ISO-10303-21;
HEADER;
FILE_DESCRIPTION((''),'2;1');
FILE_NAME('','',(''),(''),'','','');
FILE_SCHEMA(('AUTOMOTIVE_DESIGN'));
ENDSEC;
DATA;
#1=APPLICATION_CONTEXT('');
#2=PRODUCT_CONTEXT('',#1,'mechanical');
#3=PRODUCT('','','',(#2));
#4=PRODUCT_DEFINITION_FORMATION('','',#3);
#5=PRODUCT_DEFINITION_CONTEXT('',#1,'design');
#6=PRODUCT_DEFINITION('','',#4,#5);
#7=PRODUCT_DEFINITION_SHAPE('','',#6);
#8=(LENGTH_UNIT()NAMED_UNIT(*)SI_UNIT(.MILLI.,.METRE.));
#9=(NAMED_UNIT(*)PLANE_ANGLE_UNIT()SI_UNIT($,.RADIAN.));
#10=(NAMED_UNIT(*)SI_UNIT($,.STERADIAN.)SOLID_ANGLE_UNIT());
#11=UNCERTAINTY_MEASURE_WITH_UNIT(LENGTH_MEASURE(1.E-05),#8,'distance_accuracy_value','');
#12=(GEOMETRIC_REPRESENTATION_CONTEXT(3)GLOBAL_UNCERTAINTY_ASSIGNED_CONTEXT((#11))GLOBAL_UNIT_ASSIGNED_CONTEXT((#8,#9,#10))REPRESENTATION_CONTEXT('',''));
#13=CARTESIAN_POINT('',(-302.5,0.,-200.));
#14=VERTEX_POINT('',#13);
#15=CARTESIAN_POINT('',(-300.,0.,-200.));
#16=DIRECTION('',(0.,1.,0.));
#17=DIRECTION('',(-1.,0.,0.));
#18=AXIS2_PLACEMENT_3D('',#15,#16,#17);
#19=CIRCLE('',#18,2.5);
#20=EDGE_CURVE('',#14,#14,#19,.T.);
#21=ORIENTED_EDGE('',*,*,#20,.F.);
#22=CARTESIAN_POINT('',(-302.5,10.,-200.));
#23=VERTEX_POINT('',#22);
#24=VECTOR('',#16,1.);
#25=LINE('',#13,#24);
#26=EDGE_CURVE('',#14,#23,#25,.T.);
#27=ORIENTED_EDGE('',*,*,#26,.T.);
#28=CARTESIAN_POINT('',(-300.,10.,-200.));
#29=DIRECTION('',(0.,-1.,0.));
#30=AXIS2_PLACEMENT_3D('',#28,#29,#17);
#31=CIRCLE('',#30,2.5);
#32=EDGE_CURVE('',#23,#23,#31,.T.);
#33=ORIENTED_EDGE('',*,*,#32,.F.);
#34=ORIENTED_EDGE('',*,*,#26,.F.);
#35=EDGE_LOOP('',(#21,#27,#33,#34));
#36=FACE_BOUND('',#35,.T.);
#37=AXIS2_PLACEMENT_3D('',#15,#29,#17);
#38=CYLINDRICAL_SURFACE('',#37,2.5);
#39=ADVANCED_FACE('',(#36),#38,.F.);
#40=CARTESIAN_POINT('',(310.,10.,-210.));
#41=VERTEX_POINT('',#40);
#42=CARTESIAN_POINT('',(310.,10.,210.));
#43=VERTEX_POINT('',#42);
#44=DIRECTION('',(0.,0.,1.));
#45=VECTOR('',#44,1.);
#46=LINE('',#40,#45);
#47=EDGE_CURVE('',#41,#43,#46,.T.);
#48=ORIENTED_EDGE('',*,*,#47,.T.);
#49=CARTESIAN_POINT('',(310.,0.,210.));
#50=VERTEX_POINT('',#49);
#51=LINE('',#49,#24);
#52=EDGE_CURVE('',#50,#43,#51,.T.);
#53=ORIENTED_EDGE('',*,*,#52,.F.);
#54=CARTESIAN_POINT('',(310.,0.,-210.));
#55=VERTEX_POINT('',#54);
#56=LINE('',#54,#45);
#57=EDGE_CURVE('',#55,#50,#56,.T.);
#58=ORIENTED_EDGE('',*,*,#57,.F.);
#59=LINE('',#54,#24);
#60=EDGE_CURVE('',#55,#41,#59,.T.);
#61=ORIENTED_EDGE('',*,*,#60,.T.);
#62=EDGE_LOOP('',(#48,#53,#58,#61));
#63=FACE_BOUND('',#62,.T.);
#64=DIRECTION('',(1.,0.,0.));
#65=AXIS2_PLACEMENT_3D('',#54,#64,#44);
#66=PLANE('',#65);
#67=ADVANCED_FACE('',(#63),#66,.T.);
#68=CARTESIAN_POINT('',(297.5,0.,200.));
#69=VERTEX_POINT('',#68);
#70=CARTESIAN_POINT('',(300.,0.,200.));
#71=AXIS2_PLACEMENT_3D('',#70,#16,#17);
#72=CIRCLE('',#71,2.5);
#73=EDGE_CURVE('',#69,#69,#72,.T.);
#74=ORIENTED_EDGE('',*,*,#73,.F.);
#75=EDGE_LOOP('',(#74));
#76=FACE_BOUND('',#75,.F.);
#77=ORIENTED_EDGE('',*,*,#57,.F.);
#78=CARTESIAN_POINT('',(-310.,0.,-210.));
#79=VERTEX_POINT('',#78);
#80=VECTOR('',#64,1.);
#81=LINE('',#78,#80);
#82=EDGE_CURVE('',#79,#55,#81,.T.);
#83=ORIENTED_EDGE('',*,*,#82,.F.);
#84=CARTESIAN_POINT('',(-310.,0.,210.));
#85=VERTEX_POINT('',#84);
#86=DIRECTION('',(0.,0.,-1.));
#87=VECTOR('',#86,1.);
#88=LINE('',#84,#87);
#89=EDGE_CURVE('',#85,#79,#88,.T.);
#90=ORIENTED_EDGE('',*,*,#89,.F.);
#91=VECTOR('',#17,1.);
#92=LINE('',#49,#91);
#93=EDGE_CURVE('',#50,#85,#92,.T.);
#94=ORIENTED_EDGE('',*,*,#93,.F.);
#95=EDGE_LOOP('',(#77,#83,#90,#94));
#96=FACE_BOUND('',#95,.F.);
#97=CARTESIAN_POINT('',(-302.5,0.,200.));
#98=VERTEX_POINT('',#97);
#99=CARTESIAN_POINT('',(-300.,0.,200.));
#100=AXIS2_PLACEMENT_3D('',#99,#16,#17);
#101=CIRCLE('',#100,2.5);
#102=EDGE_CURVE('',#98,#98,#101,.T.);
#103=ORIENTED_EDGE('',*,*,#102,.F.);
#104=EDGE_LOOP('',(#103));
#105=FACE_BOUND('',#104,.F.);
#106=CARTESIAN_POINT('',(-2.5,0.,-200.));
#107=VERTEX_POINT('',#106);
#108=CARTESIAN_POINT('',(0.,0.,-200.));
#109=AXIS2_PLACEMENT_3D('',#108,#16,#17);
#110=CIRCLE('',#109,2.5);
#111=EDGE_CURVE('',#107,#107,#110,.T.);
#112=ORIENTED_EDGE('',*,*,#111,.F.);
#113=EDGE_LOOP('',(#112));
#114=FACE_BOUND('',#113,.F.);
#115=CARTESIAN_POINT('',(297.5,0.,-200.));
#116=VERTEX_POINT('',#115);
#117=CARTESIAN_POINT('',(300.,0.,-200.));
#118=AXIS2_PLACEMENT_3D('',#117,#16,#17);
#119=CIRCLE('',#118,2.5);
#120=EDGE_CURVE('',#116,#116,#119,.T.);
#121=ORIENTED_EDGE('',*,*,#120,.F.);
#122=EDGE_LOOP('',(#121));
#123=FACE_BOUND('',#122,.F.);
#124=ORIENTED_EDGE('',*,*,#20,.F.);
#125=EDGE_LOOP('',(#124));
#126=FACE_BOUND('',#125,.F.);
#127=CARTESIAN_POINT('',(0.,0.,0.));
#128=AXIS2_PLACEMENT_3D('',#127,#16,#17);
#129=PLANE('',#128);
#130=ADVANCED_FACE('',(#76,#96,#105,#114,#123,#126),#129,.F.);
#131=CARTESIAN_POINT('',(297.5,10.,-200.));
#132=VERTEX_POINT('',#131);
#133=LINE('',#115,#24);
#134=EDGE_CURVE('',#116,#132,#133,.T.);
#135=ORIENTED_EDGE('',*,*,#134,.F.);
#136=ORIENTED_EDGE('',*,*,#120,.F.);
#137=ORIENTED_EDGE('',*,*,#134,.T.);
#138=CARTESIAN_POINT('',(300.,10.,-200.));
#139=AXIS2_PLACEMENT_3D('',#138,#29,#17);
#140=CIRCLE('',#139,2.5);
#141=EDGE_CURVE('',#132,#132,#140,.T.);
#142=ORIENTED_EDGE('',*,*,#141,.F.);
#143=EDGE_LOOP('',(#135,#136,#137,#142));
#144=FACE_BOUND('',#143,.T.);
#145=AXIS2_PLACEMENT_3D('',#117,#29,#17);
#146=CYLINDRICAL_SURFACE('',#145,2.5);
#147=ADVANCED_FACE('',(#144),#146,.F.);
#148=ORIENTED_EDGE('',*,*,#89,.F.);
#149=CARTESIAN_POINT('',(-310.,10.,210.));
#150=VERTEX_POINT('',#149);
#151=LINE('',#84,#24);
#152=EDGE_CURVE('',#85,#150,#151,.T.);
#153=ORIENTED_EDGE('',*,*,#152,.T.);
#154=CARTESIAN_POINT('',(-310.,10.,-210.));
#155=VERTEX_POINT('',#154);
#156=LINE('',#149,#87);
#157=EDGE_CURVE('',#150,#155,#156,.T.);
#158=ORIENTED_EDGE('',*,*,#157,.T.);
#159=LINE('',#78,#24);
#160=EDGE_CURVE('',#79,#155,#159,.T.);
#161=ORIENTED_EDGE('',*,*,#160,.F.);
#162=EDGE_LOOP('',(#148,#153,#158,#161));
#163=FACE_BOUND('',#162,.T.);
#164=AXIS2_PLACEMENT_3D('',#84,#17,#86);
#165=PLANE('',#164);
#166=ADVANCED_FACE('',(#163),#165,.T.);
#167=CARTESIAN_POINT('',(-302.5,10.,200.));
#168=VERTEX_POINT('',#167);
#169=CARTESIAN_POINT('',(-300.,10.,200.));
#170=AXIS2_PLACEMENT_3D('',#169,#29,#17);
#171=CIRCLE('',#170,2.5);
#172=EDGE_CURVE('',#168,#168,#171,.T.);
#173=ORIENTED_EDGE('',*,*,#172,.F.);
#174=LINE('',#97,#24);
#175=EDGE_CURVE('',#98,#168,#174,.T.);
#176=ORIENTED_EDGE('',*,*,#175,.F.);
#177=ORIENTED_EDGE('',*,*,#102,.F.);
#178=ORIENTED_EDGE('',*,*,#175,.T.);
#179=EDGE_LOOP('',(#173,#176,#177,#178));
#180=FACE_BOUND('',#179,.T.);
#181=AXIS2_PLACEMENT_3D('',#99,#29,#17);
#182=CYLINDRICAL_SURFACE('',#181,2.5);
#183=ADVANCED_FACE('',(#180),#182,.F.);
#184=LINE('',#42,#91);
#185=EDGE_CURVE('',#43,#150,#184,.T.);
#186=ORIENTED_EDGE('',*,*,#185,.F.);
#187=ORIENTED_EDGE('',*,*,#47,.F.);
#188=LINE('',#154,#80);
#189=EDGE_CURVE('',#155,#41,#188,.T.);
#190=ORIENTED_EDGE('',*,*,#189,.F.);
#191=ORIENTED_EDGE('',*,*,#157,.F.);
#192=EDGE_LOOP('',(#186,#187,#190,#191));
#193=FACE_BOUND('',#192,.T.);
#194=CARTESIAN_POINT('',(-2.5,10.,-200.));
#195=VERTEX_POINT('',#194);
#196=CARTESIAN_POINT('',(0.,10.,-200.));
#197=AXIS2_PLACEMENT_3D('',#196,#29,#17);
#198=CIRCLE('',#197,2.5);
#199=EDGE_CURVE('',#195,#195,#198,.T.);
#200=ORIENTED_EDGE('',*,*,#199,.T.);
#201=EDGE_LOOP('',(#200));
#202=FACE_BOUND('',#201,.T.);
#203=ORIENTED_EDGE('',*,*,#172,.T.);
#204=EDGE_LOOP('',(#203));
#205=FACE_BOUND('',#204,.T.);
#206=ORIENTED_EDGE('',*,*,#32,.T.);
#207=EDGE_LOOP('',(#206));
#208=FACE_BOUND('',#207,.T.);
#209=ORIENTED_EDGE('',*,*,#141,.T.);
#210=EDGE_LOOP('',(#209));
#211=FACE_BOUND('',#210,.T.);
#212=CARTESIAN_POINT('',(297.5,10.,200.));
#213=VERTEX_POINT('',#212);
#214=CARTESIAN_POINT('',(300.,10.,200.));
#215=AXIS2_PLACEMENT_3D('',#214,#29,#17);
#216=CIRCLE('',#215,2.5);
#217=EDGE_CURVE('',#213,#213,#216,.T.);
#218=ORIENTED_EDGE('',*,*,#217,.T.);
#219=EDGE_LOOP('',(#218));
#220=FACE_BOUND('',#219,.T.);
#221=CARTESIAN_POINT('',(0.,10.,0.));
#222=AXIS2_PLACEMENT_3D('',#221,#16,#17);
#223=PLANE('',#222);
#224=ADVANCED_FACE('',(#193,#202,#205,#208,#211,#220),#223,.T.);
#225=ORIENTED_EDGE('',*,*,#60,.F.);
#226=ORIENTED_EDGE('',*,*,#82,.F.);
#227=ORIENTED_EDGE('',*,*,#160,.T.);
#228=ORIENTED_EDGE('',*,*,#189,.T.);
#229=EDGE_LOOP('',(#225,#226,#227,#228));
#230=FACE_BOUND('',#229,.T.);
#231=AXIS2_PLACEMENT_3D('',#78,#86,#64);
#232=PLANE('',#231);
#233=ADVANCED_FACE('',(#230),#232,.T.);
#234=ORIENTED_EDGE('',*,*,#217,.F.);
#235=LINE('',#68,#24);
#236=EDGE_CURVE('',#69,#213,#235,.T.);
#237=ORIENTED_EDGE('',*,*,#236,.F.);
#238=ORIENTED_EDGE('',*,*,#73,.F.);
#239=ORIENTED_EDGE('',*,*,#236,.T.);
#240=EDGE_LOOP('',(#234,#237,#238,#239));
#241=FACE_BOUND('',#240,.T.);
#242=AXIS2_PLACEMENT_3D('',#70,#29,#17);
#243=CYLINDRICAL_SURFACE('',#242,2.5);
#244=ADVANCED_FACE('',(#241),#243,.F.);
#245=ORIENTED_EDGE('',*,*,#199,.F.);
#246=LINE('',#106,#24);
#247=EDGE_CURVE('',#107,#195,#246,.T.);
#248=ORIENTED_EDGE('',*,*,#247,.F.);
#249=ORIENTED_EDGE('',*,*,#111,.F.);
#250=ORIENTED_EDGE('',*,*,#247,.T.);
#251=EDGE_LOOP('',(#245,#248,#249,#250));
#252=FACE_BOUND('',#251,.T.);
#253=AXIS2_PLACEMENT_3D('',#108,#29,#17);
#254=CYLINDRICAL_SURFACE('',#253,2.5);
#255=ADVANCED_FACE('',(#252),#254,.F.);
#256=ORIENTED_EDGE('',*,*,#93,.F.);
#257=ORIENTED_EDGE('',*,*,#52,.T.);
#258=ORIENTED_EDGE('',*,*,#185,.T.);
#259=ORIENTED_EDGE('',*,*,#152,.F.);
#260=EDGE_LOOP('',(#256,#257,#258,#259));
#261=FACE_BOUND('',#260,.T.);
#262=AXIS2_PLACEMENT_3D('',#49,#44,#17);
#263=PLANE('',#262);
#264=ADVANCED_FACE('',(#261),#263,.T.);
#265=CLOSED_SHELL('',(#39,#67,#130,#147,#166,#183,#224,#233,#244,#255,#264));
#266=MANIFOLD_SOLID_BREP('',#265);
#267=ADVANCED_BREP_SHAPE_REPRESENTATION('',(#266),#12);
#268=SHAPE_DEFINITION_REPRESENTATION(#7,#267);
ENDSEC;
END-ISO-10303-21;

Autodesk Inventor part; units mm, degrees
ref_plane "YZ Plane" through (0, 0, 0) normal (1, 0, 0) x (0, 1, 0)
ref_plane "XZ Plane" through (0, 0, 0) normal (0, 1, 0) x (-1, 0, 0)
ref_plane "XY Plane" through (0, 0, 0) normal (0, 0, 1) x (1, 0, 0)
sketch "Sketch1" plane through (0, 0, 0) normal (0, 1, 0) x (-1, 0, 0)
  line L0 (-310, 210) -> (310, 210)
  line L1 (310, 210) -> (310, -210)
  line L2 (310, -210) -> (-310, -210)
  line L3 (-310, -210) -> (-310, 210)
  line L4 (-300, -200) -> (300, -200)
  line L5 (300, -200) -> (300, 200)
  line L6 (300, 200) -> (-300, 200)
  line L7 (-300, 200) -> (-300, -200)
  circle A0 centre (300, -200) radius 2.5
  circle A1 centre (-300, -200) radius 2.5
  circle A2 centre (0, -200) radius 2.5
  circle A3 centre (300, 200) radius 2.5
  circle A4 centre (-300, 200) radius 2.5
  point P0 (0, 0)
  dimension "d0" = 620
  dimension "d1" = 420
  dimension "d2" = 10
  dimension "d3" = 5
  dimension "d4" = 5
  dimension "d5" = 5
  dimension "d6" = 5
  dimension "d7" = 5
extrude "Extrusion1" add sketch "Sketch1" along normal blind 10 contours L0 L1 L2 L3 | A1 L7 A4 L6 A3 L5 A0 L4 A2
properties part number "CaraLateral"
